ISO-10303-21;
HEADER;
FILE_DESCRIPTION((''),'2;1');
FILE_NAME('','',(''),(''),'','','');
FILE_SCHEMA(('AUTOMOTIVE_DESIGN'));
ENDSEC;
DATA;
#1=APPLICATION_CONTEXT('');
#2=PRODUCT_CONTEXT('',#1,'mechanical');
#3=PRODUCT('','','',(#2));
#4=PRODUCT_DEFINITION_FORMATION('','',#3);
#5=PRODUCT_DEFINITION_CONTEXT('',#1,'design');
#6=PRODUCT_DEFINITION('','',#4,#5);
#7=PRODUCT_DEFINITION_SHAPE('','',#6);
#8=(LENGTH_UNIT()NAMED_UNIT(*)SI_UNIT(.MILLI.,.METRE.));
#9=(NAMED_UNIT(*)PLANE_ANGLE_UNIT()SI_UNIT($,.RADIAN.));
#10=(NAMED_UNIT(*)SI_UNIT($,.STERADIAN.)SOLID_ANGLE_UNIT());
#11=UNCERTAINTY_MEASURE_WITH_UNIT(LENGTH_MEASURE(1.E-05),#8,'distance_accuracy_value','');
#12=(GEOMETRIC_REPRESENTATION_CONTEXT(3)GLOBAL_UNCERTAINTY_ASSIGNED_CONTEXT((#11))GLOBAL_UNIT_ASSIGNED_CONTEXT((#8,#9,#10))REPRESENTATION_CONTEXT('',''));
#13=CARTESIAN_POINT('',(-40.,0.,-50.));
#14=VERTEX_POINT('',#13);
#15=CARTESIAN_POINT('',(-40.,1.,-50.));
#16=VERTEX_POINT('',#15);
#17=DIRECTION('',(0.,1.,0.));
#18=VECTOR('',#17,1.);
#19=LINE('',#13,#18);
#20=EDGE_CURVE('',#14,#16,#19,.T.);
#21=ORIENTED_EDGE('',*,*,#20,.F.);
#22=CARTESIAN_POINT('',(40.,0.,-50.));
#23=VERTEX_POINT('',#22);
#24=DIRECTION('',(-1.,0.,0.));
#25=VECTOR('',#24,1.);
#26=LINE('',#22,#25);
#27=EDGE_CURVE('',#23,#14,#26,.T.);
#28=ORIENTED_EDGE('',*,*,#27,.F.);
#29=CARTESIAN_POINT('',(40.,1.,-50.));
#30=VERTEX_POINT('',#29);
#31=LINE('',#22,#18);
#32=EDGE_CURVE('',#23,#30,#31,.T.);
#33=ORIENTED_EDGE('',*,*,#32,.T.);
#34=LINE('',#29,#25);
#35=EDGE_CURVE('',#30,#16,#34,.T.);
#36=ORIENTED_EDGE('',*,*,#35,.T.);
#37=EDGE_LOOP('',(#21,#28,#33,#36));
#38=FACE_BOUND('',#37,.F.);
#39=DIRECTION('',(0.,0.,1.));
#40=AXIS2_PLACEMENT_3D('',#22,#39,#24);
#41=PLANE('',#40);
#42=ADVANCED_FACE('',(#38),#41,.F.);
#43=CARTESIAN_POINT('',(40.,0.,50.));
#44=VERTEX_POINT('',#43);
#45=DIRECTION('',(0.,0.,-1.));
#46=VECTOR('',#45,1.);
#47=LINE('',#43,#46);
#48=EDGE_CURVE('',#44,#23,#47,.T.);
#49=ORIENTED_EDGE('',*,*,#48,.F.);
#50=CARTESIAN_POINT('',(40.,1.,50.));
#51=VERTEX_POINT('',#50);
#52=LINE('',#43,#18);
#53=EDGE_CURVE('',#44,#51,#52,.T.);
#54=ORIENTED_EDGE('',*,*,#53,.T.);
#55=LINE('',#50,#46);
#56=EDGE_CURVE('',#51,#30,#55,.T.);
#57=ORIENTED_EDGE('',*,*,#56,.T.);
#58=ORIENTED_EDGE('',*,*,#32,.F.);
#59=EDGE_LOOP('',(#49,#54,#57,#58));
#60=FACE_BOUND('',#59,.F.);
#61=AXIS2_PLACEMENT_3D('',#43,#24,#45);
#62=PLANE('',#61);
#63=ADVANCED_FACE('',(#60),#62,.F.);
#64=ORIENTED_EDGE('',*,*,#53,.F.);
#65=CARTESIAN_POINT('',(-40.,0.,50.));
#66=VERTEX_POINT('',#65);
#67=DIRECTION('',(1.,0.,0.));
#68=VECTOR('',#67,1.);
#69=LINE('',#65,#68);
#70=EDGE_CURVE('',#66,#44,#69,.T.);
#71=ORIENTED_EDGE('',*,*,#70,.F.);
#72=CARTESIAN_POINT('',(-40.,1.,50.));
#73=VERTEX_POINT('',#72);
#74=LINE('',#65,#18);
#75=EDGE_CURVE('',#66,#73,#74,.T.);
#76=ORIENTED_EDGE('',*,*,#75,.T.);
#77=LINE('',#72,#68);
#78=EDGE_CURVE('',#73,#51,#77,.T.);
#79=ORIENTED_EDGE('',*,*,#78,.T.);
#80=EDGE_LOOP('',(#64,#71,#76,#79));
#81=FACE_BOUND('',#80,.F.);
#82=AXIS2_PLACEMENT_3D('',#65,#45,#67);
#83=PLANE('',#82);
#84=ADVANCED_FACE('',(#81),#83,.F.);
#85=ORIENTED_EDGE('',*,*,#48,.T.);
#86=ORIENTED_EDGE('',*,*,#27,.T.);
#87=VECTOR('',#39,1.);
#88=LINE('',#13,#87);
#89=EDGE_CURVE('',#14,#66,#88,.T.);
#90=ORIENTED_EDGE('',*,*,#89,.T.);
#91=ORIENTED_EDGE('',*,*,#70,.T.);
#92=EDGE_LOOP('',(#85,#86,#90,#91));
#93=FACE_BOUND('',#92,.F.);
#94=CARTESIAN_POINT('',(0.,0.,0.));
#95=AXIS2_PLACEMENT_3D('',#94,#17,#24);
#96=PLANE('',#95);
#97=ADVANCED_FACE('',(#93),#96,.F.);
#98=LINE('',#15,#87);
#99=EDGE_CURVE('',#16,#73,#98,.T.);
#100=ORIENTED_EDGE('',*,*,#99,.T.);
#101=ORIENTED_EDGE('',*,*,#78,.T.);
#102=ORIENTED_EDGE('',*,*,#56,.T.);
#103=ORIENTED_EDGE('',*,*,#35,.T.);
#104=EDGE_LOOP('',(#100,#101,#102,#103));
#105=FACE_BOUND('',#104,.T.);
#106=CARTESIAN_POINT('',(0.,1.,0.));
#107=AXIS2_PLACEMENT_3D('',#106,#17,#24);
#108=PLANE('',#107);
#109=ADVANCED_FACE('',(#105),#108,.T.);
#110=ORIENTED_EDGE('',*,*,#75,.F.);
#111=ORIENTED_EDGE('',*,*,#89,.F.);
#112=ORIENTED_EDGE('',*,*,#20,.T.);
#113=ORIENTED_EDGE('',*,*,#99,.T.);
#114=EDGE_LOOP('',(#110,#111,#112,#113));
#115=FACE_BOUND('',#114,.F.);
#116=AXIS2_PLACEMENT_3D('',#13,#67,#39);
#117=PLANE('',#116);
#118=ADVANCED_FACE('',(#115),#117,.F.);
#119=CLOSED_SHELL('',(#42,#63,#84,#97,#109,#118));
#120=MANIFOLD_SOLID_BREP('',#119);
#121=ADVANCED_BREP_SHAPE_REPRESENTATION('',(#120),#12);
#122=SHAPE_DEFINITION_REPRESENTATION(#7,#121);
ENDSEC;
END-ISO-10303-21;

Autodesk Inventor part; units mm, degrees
ref_plane "YZ Plane" through (0, 0, 0) normal (1, 0, 0) x (0, 1, 0)
ref_plane "XZ Plane" through (0, 0, 0) normal (0, 1, 0) x (-1, 0, 0)
ref_plane "XY Plane" through (0, 0, 0) normal (0, 0, 1) x (1, 0, 0)
sketch "Boceto1" plane through (0, 0, 0) normal (0, 1, 0) x (-1, 0, 0)
  line L0 (40, 50) -> (-40, 50)
  line L1 (-40, 50) -> (-40, -50)
  line L2 (-40, -50) -> (40, -50)
  line L3 (40, -50) -> (40, 50)
  point P0 (0, 0)
  dimension "w" = 100
  dimension "d3" = 50
  dimension "k" = 80
  dimension "d7" = 40
extrude "Extrusión1" add sketch "Boceto1" along normal blind 1
equation "\"d3\" = 0.5 * w"
equation "\"d7\" = 0.5 * k"
properties part number "Baquelita"
